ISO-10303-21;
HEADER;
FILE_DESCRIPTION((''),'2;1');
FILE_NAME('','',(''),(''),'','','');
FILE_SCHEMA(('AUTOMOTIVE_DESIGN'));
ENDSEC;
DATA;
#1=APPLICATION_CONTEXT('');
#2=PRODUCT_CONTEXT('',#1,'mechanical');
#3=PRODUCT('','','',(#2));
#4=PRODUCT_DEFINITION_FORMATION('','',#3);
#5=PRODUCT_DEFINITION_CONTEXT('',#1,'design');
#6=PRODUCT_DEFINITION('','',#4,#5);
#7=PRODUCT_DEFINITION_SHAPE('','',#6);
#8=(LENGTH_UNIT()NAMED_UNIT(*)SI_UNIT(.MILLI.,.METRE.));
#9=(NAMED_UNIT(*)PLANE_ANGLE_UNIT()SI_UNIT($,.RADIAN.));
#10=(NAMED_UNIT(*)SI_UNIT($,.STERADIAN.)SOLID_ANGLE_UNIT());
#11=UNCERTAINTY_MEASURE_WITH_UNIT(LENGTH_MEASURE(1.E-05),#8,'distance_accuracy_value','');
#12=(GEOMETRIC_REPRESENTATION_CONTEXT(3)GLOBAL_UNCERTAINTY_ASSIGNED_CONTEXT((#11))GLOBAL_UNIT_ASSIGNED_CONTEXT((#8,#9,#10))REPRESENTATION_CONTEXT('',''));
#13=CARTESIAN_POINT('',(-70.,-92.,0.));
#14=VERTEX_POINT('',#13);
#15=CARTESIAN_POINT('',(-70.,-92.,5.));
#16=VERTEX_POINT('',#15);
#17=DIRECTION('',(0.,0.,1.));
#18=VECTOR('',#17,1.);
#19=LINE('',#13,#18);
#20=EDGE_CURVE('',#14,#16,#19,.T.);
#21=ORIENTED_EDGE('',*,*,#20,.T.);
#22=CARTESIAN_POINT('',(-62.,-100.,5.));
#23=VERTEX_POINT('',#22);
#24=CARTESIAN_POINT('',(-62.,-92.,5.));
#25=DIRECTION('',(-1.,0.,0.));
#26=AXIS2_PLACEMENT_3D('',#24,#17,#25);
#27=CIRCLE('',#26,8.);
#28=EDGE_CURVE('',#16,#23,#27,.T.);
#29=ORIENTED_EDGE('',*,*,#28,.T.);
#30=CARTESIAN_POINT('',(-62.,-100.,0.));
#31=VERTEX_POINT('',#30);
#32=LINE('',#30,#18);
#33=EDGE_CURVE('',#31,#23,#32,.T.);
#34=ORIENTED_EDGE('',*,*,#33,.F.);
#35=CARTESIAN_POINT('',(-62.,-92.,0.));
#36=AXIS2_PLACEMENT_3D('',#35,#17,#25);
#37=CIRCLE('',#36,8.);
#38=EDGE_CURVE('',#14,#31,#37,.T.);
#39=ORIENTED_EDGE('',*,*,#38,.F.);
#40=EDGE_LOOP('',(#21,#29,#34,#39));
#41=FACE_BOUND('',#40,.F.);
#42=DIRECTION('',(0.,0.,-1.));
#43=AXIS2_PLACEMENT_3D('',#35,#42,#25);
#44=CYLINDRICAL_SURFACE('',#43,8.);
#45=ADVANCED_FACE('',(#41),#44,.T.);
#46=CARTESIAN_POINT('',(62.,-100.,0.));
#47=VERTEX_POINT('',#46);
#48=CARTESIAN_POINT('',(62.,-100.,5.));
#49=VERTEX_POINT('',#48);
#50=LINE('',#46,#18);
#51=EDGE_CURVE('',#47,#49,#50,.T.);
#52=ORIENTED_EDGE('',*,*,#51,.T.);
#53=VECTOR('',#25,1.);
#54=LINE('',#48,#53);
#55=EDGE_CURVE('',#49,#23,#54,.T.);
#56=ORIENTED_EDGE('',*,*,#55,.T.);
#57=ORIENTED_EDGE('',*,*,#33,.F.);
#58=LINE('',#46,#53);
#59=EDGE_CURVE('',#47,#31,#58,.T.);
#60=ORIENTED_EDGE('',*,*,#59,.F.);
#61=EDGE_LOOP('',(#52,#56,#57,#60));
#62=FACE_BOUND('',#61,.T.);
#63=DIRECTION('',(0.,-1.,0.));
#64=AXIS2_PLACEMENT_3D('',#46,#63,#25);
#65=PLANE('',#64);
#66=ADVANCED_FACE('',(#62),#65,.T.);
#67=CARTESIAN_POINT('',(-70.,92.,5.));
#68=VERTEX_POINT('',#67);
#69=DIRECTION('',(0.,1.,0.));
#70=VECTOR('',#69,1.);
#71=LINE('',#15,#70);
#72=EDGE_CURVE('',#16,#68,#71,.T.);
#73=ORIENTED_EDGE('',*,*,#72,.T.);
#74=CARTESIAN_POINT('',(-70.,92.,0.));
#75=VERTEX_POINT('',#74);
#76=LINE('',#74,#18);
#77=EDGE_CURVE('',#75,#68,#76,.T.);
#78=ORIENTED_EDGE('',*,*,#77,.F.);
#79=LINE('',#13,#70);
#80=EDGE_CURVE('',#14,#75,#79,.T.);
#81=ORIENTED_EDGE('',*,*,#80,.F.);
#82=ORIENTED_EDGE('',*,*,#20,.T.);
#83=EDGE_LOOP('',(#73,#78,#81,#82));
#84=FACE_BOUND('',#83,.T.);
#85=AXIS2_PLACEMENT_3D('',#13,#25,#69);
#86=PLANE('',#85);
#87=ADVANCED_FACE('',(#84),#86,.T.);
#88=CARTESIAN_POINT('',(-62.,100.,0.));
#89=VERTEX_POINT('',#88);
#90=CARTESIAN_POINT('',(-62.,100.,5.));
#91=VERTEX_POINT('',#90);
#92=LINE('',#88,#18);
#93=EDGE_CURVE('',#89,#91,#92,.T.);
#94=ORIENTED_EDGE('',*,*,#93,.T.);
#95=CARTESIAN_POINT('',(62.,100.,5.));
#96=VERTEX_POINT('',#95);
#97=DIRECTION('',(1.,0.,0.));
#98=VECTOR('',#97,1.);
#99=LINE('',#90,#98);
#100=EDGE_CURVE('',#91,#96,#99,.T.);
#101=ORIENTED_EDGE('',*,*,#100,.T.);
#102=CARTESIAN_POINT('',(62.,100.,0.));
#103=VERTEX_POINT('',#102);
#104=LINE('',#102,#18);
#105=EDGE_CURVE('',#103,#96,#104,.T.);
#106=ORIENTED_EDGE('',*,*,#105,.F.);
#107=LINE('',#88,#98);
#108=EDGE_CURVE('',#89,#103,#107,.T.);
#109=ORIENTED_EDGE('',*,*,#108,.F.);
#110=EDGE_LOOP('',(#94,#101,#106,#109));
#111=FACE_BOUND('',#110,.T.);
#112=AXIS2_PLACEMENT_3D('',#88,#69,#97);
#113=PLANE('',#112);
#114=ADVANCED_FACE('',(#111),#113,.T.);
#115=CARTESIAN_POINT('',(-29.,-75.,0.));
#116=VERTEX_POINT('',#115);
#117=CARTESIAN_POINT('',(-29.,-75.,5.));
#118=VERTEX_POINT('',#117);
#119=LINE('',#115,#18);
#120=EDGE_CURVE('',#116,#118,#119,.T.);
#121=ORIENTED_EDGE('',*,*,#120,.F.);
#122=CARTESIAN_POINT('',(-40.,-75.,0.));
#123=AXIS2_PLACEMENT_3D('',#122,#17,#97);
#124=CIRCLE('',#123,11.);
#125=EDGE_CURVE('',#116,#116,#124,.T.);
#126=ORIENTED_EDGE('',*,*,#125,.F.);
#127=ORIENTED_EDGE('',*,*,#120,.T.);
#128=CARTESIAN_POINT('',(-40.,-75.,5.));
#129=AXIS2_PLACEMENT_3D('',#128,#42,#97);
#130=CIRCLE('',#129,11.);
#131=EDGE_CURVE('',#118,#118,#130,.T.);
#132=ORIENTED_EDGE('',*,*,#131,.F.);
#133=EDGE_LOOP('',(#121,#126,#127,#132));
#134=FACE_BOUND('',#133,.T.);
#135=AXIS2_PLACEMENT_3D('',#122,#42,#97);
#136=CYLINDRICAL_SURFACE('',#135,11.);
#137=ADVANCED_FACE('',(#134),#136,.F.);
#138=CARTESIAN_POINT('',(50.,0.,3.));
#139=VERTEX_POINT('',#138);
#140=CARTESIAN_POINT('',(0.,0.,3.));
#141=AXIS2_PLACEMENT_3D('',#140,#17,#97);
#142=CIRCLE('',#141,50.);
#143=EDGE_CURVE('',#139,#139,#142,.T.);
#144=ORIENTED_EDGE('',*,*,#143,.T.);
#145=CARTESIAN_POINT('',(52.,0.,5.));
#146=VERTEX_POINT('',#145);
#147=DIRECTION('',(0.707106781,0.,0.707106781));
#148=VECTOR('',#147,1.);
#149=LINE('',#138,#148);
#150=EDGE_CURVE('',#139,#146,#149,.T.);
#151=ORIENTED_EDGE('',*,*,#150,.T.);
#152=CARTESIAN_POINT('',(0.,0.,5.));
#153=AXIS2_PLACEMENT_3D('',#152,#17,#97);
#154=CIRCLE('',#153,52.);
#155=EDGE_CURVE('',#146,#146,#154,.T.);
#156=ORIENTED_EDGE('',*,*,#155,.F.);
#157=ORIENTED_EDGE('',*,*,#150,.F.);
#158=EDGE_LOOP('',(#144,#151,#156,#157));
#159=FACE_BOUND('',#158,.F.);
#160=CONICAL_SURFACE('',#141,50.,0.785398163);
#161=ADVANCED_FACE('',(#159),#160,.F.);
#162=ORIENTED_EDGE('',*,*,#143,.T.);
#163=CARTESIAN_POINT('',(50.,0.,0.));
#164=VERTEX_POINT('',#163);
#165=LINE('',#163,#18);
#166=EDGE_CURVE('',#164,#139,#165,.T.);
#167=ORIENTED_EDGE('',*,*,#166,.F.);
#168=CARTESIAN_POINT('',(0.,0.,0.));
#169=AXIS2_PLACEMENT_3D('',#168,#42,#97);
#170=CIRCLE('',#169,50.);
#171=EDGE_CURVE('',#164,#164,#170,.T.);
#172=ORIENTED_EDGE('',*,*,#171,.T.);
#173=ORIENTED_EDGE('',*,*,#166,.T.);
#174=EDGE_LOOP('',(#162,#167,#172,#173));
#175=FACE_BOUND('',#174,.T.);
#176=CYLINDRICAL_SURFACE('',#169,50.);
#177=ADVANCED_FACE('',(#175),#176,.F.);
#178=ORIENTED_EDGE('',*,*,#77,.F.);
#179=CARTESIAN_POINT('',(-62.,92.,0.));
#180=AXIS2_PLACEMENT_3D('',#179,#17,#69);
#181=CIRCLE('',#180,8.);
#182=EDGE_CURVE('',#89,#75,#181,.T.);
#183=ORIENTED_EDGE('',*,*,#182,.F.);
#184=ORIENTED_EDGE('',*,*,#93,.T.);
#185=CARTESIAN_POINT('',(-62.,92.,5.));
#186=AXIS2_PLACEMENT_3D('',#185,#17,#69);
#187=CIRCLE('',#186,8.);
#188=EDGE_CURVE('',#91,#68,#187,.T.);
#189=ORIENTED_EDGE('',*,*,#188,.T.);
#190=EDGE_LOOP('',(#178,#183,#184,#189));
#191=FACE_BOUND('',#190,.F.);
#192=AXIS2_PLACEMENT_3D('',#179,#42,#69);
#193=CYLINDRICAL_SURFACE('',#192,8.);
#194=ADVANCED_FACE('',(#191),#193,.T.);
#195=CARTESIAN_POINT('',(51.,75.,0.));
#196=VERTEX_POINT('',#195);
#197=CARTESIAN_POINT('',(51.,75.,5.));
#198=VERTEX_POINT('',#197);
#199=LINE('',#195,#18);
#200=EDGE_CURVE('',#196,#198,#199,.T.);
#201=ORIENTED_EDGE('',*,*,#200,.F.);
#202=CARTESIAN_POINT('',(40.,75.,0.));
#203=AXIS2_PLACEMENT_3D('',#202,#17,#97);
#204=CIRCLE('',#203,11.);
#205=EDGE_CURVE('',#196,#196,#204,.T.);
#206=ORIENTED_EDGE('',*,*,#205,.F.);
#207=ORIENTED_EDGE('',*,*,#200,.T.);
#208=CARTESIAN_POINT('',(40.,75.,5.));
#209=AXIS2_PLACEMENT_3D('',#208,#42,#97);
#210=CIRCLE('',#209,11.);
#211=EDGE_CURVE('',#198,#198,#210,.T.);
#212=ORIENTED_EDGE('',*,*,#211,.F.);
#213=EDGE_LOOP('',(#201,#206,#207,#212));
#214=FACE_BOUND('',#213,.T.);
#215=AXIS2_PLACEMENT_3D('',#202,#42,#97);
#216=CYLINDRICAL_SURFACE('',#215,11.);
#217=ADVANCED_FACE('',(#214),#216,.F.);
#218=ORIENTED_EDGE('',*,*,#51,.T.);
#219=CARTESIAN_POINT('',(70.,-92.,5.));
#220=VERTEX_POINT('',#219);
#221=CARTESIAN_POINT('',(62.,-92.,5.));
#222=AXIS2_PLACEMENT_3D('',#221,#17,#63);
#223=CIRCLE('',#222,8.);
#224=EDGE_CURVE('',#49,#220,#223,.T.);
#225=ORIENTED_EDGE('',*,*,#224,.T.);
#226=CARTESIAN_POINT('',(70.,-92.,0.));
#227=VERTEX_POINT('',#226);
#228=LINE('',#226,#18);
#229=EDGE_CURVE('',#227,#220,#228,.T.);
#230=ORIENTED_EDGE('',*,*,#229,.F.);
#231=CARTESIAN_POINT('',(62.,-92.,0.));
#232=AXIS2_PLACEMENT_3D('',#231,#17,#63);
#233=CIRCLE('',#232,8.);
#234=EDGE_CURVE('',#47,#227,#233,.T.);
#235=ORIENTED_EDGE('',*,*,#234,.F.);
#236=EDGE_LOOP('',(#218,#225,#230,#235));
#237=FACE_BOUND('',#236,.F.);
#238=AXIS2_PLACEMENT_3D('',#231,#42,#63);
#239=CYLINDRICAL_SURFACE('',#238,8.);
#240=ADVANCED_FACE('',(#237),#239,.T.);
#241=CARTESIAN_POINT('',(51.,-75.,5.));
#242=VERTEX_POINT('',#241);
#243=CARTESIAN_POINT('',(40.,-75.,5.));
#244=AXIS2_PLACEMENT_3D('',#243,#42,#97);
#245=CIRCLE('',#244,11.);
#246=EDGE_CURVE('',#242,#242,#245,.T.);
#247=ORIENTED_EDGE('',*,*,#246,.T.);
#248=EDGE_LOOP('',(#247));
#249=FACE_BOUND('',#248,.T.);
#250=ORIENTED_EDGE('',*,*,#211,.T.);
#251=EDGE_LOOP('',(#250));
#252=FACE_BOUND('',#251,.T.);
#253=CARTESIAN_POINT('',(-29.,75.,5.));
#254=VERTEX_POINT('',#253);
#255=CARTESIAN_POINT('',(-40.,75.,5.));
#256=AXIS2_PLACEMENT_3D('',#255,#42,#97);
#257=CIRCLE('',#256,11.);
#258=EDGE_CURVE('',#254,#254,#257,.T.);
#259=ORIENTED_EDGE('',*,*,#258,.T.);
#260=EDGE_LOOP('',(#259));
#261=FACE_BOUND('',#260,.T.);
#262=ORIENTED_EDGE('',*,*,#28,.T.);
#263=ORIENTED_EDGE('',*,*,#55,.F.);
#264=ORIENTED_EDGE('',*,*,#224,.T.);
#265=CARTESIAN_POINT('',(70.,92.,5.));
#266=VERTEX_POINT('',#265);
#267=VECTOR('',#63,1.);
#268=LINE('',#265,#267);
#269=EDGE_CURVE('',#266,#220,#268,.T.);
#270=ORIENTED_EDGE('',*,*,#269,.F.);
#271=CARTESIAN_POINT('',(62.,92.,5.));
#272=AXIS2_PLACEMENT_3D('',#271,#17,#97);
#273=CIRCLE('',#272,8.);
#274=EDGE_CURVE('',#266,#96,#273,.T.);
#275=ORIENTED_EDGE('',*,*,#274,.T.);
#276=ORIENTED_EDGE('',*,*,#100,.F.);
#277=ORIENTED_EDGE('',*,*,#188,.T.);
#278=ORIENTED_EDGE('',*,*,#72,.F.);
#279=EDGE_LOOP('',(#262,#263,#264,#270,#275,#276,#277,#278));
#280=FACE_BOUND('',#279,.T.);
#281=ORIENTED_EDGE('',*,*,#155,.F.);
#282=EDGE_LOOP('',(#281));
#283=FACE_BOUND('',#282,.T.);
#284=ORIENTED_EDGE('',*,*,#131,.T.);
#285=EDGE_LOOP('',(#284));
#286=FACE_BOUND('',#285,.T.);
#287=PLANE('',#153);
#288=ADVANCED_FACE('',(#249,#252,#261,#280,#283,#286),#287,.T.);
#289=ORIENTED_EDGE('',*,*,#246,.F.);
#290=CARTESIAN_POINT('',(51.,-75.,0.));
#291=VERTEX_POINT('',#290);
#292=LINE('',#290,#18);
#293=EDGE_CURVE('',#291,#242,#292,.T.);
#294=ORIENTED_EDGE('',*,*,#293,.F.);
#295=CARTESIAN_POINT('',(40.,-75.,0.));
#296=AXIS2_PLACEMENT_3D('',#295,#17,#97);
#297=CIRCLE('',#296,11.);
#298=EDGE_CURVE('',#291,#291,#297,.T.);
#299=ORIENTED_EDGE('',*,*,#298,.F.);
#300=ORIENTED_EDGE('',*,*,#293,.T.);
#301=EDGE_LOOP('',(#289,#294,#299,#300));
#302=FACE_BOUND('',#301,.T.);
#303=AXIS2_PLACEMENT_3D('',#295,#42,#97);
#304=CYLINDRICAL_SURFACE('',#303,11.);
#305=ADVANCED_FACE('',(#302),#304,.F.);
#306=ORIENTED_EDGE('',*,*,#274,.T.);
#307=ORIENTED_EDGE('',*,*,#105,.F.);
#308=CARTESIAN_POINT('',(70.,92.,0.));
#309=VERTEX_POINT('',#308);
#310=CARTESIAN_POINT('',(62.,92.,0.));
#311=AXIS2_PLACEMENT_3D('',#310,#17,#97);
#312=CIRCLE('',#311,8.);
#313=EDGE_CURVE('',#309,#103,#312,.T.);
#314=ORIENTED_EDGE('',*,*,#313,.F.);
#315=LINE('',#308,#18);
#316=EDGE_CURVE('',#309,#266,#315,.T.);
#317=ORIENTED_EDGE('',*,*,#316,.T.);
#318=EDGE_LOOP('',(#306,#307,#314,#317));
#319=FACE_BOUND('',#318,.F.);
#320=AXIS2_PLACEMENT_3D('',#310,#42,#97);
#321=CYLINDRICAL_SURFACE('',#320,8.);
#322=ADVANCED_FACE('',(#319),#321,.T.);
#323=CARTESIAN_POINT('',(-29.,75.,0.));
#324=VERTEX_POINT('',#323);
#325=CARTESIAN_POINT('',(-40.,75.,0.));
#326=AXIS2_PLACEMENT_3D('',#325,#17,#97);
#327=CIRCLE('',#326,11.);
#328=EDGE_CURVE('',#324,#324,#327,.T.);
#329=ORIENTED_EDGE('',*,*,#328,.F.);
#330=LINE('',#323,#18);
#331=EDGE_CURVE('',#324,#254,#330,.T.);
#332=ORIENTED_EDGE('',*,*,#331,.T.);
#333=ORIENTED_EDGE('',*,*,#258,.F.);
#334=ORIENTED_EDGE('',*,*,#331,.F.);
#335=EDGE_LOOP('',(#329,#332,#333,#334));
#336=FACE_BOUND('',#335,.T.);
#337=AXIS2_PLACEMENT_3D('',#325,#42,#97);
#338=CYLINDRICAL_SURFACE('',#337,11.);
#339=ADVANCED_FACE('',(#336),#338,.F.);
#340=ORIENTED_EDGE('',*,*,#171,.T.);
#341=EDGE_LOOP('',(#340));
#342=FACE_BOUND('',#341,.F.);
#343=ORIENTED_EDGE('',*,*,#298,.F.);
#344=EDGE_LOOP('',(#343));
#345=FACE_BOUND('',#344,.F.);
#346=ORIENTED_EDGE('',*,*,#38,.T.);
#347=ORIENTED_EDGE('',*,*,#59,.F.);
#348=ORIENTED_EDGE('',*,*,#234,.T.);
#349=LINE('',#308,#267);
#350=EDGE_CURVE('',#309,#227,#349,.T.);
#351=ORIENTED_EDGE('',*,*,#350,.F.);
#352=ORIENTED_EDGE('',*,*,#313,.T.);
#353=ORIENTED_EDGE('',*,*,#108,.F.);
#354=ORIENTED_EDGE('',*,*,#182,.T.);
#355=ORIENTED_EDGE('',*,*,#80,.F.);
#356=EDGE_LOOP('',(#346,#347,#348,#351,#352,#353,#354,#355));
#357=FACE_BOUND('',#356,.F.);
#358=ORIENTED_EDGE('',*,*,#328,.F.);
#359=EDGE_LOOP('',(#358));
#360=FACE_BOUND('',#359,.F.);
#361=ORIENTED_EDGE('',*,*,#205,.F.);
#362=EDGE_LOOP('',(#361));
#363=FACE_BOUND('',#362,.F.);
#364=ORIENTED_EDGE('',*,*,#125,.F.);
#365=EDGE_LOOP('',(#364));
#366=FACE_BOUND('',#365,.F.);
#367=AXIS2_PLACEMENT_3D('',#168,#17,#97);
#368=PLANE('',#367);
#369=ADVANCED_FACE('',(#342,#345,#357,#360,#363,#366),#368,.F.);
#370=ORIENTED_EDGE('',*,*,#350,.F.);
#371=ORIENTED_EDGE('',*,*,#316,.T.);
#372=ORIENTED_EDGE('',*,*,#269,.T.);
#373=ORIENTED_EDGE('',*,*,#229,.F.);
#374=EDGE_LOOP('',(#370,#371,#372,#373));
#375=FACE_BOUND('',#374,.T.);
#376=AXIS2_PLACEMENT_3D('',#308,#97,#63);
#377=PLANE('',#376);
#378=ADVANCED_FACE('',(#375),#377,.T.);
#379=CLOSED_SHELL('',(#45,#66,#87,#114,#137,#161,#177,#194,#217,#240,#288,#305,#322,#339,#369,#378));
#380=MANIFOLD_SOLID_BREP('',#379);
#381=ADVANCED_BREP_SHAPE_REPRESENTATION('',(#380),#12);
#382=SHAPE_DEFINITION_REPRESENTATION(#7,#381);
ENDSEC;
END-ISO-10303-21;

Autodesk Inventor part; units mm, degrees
ref_plane "YZ Plane" through (0, 0, 0) normal (1, 0, 0) x (0, 1, 0)
ref_plane "XZ Plane" through (0, 0, 0) normal (0, 1, 0) x (-1, 0, 0)
ref_plane "РабПлоскость1" through (0, 0, 0) normal (0, 0, 1) x (1, 0, 0)
sketch "Эскиз1" plane through (0, 0, 0) normal (0, 0, 1) x (1, 0, 0)
  circle A0 centre (0, 0) radius 50 projected
  line L0 (-70, -92) -> (-70, 92)
  line L1 (-62, 100) -> (62, 100)
  line L2 (70, 92) -> (70, -92)
  line L3 (62, -100) -> (-62, -100)
  line L4 (-70, -100) -> (70, 100) construction
  line L5 (-70, 100) -> (70, -100) construction
  arc A1 (-62, 100) -> (-70, 92) centre (-62, 92) ccw
  arc A2 (70, 92) -> (62, 100) centre (62, 92) ccw
  arc A3 (62, -100) -> (70, -92) centre (62, -92) ccw
  arc A4 (-70, -92) -> (-62, -100) centre (-62, -92) ccw
  line L6 (0, 75) -> (-40, 75)
  line L7 (-40, 75) -> (40, 75)
  line L8 (40, 75) -> (40, -75)
  line L9 (40, -75) -> (-40, -75)
  line L10 (-40, -75) -> (-40, 75)
  circle A5 centre (-40, 75) radius 11
  circle A6 centre (40, 75) radius 11
  circle A7 centre (40, -75) radius 11
  circle A8 centre (-40, -75) radius 11
  point P0 (0, 0)
  dimension "d8" = 200
  dimension "d9" = 140
  dimension "d10" = 8
  dimension "d11" = 8
  dimension "d12" = 8
  dimension "d13" = 8
  dimension "d14" = 40
  dimension "d15" = 80
  dimension "d16" = 150
  dimension "d17" = 22
  dimension "d18" = 22
  dimension "d19" = 22
  dimension "d20" = 22
extrude "Выдавливание1" add sketch "Эскиз1" along normal blind 5 contours A0 L10 A5 L6 L7 A6 L8 | L8 A7 L9 A8 L10 A0 | L0 A1 L1 A2 L2 A3 L3 A4
chamfer "Фаска1" distance 2 angle 45 1 edges at (-50, 0, 5)
properties part number "Прокладка крейцкопф_CPY" material "Алюминий 6061"
